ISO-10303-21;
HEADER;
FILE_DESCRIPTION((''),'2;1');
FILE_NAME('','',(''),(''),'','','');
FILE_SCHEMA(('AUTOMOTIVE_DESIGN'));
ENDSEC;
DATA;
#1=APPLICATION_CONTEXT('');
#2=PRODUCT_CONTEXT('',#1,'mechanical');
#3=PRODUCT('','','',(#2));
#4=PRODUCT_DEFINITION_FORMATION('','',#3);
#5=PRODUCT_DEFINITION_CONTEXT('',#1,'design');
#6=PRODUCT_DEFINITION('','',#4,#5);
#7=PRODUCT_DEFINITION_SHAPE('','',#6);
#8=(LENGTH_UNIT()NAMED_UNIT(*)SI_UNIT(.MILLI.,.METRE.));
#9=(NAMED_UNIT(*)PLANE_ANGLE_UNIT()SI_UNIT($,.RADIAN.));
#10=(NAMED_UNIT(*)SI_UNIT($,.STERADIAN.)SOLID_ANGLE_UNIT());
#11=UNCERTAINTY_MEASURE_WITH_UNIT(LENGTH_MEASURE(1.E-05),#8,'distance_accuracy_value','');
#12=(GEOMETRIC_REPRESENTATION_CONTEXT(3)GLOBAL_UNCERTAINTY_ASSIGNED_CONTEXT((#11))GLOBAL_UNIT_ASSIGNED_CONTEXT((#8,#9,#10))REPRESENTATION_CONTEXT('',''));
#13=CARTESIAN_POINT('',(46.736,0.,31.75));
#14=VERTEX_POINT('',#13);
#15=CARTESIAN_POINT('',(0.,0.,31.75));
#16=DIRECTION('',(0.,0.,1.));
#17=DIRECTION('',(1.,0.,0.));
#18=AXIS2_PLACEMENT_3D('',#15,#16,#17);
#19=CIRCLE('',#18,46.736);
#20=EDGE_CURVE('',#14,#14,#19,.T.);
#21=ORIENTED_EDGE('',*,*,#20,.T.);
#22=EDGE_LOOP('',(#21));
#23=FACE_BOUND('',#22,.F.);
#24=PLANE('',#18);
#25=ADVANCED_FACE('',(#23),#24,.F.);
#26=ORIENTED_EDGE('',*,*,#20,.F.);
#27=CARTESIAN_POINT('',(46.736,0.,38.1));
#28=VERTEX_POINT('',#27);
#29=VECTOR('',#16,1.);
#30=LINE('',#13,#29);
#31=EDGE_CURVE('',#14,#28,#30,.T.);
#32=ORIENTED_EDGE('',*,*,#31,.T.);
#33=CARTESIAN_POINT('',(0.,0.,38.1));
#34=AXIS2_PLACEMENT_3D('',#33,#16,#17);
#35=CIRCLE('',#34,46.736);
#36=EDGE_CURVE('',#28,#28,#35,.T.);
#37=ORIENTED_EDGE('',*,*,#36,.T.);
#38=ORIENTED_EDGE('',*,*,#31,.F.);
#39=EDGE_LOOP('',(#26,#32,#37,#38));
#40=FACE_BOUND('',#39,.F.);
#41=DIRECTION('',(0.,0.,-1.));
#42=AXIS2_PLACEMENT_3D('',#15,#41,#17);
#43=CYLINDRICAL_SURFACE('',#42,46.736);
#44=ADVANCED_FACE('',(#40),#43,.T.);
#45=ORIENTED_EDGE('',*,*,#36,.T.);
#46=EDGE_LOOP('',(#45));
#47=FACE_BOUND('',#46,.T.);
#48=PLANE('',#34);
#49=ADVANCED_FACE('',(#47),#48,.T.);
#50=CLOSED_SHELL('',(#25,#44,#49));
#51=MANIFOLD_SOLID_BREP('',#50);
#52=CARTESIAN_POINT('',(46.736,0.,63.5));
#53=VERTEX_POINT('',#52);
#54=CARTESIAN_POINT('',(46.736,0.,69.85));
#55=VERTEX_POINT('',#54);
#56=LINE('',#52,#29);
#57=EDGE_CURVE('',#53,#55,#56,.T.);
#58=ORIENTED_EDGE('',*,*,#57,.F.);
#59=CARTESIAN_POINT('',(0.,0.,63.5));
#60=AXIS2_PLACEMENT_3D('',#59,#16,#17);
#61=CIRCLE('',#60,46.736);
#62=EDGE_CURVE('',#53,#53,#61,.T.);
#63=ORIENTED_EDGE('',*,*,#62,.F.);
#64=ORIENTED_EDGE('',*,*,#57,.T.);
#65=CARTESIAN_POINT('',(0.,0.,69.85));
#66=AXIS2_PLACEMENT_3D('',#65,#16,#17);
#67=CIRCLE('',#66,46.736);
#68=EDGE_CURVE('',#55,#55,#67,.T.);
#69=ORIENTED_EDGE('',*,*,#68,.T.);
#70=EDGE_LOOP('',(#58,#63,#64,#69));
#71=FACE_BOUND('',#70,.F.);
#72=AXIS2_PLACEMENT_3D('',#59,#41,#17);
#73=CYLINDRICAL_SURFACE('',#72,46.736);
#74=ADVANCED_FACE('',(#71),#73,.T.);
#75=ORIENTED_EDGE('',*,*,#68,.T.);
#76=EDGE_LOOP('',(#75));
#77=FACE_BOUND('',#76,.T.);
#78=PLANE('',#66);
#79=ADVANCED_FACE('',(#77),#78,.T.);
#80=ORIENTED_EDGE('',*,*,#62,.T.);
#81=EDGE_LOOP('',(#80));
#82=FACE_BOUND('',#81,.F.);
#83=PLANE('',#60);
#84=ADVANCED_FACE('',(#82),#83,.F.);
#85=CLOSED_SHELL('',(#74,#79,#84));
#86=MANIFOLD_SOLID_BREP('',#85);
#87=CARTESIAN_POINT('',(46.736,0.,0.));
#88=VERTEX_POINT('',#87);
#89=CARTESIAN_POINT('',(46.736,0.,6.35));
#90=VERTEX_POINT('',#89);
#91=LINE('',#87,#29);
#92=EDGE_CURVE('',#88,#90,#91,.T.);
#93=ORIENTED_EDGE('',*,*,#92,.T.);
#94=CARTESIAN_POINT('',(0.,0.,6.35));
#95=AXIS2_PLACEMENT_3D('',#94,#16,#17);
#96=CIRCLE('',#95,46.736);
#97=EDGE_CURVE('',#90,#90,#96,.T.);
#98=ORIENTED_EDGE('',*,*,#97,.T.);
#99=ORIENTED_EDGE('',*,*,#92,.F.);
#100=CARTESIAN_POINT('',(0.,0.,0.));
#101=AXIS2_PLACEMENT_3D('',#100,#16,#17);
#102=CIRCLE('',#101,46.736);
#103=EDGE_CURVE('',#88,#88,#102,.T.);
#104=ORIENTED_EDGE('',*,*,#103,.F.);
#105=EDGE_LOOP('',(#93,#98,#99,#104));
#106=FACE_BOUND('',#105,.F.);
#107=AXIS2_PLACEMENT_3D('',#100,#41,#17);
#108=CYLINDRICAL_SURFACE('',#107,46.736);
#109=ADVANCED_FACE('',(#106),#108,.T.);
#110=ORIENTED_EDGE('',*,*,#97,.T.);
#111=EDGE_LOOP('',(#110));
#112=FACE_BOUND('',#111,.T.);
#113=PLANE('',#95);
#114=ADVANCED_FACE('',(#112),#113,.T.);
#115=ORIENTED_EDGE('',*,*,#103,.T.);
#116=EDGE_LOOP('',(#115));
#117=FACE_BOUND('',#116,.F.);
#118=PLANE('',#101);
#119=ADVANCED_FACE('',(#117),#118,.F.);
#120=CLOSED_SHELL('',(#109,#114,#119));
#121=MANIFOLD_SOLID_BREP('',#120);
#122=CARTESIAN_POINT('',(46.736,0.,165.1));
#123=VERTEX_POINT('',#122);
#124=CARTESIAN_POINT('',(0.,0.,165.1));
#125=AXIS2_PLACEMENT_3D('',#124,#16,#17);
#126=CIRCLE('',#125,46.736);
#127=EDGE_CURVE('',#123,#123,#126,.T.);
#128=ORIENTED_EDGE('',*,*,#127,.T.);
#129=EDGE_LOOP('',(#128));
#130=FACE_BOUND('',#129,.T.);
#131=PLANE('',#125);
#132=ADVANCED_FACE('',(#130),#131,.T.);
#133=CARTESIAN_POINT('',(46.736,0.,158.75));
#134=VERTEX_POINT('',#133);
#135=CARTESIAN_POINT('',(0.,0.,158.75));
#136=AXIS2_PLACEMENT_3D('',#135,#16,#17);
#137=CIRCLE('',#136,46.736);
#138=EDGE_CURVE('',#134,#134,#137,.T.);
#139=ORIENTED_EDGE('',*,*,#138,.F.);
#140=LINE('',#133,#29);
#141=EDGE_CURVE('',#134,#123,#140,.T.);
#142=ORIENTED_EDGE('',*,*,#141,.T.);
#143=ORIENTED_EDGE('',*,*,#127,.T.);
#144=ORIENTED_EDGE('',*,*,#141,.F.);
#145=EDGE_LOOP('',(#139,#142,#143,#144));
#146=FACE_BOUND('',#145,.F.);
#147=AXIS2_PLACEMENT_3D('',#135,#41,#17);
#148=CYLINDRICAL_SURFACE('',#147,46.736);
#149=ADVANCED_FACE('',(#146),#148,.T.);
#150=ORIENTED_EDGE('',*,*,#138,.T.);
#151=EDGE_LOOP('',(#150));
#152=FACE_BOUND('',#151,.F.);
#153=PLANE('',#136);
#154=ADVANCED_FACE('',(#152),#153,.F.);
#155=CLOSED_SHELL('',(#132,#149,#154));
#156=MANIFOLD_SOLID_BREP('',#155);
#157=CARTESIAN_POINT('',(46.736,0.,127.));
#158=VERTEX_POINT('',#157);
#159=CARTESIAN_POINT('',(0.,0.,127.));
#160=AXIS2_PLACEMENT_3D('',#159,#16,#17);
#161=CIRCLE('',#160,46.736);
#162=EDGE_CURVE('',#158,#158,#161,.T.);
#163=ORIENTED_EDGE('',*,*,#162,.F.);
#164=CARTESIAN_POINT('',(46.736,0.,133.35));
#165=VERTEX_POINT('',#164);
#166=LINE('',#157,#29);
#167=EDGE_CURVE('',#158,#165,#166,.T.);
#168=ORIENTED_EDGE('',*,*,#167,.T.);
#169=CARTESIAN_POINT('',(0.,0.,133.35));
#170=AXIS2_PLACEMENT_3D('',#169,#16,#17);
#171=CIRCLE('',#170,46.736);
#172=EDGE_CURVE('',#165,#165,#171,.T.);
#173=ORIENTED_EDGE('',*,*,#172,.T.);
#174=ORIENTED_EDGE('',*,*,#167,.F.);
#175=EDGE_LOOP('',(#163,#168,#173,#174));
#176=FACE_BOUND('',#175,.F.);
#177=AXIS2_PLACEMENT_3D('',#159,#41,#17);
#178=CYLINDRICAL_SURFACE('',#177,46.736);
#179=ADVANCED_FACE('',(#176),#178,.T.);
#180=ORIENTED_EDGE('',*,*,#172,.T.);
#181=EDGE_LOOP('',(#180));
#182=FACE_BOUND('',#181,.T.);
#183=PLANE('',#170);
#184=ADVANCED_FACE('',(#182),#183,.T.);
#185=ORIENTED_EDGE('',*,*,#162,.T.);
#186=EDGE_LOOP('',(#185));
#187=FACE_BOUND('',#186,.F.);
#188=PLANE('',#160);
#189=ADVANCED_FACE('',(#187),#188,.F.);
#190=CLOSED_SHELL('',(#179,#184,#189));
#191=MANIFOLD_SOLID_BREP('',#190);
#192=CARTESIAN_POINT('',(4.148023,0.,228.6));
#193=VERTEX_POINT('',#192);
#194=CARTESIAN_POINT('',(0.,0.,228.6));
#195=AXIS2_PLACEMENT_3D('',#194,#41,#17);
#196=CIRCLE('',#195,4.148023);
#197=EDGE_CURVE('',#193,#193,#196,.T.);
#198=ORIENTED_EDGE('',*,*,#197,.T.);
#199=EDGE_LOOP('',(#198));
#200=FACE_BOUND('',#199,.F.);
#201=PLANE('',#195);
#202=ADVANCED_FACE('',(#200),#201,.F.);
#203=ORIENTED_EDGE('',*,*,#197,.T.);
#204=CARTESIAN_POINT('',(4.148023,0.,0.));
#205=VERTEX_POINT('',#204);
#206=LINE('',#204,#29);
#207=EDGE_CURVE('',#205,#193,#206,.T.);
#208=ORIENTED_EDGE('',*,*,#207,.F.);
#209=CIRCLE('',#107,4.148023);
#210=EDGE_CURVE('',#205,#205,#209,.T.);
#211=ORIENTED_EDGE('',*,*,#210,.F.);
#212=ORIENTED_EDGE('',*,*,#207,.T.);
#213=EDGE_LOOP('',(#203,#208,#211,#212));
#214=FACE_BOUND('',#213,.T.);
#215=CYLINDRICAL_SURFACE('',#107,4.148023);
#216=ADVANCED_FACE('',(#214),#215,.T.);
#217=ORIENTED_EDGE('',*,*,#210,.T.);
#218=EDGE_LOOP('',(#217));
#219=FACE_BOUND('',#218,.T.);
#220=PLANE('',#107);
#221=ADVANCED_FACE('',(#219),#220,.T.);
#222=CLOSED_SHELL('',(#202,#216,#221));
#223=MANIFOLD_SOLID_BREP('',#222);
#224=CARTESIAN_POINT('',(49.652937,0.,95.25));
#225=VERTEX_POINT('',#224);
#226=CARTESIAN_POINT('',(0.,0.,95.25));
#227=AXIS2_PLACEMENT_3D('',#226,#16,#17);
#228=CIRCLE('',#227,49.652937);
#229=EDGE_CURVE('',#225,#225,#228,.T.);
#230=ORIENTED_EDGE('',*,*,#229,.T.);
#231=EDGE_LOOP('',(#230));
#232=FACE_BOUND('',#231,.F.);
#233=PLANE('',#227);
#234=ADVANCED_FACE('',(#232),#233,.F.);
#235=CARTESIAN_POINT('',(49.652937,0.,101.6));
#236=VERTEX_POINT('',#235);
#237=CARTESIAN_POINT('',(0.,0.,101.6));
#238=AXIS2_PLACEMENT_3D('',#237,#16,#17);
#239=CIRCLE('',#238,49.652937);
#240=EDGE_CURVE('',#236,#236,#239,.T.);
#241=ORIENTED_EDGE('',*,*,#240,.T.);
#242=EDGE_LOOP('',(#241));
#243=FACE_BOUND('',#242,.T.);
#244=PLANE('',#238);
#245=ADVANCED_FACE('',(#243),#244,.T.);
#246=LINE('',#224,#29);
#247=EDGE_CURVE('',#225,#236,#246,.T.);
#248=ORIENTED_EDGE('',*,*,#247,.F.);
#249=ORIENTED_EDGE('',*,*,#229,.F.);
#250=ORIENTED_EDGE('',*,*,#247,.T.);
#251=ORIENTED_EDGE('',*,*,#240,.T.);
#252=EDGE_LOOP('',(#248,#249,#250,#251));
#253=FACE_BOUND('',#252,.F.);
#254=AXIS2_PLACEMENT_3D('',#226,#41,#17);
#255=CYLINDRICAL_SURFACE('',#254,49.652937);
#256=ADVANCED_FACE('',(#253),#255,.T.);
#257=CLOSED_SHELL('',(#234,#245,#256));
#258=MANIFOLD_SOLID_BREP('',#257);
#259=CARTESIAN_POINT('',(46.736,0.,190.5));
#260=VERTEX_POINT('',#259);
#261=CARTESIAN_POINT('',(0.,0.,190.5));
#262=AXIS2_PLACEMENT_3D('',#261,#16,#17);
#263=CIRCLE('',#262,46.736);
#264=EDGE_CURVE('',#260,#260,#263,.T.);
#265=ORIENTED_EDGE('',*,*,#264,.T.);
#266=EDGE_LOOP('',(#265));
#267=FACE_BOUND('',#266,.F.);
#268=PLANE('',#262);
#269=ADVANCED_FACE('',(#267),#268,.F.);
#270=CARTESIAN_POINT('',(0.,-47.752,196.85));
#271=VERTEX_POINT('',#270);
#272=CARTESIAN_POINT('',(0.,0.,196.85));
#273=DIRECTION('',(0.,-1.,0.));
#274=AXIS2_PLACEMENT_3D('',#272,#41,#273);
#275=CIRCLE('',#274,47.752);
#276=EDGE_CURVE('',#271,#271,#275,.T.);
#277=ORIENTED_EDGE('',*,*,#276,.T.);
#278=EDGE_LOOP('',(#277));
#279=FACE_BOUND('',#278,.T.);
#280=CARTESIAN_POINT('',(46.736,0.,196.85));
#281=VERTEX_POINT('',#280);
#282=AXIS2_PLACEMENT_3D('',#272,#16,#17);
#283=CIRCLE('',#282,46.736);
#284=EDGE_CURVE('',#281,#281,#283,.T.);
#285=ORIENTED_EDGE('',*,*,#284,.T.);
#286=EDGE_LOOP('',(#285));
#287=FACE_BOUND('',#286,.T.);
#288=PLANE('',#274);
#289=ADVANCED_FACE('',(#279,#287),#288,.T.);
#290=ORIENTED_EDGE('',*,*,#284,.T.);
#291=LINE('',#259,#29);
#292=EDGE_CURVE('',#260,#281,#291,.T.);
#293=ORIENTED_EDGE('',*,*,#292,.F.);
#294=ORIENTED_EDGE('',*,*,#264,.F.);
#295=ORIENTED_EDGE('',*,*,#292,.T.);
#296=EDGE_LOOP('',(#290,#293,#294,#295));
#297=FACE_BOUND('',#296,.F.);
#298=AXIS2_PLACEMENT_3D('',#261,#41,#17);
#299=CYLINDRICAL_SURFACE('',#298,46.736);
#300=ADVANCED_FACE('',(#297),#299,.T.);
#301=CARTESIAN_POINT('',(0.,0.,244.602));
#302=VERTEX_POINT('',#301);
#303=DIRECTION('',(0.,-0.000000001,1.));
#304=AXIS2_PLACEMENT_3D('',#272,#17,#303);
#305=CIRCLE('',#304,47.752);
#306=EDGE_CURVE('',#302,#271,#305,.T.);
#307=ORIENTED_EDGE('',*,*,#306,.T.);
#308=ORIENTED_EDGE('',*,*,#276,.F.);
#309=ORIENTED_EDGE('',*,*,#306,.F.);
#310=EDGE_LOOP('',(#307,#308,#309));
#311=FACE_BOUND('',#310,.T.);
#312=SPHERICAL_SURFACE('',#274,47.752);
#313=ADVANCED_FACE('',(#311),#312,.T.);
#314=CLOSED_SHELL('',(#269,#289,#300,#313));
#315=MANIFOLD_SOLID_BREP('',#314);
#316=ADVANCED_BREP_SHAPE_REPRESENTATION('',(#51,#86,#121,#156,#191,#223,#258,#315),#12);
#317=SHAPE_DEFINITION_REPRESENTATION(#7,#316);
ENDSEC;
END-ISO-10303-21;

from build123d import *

# Parameters (mm, degrees)
F0_R      = 46.736
F1_DEPTH  = 6.35
F3_R      = 46.736
F4_DEPTH  = 6.35
F6_R      = 46.736
F7_DEPTH  = 6.35
F9_R      = 49.652937
F10_DEPTH = 6.35
F12_R     = 46.736
F13_DEPTH = 6.35
F15_R     = 46.736
F16_DEPTH = 6.35
F18_R     = 46.736
F19_DEPTH = 6.35
F22_R     = 4.148023
F23_DEPTH = 228.6


with BuildPart() as f1:
    # F0 (on Top) → F1 (new body)
    with BuildSketch(Plane.XY):
        Circle(F0_R)
    extrude(amount=F1_DEPTH)


with BuildPart() as f4:
    # F3 (on offset) → F4 (new body)
    with BuildSketch(Plane.XY.offset(31.75)):
        Circle(F3_R)
    extrude(amount=F4_DEPTH)


with BuildPart() as f7:
    # F6 (on offset) → F7 (new body)
    with BuildSketch(Plane.XY.offset(63.5)):
        Circle(F6_R)
    extrude(amount=F7_DEPTH)


with BuildPart() as f10:
    # F9 (on offset) → F10 (new body)
    with BuildSketch(Plane.XY.offset(95.25)):
        Circle(F9_R)
    extrude(amount=F10_DEPTH)


with BuildPart() as f13:
    # F12 (on offset) → F13 (new body)
    with BuildSketch(Plane.XY.offset(127)):
        Circle(F12_R)
    extrude(amount=F13_DEPTH)


with BuildPart() as f16:
    # F15 (on offset) → F16 (new body)
    with BuildSketch(Plane.XY.offset(158.75)):
        Circle(F15_R)
    extrude(amount=F16_DEPTH)


with BuildPart() as f19:
    # F18 (on offset) → F19 (new body)
    with BuildSketch(Plane.XY.offset(190.5)):
        Circle(F18_R)
    extrude(amount=F19_DEPTH)

    # F20 (on Right) → F21 (revolve)
    with BuildSketch(Plane.YZ):
        with BuildLine():
            Line((0, 196.85), (0, 244.602))
            ThreePointArc((0, 244.602), (-33.765763, 230.615763), (-47.752, 196.85))
            Line((-47.752, 196.85), (0, 196.85))
        make_face()
    revolve(axis=Axis((0, 0, 220.726), (0, 0, -1)))


with BuildPart() as f23:
    # F22 (on face) → F23 (new body)
    with BuildSketch(Plane(origin=(0, 0, 0), x_dir=(1, 0, 0), z_dir=(0, 0, -1))):
        Circle(F22_R)
    extrude(amount=-F23_DEPTH)


solid = Compound([f1.part, f4.part, f7.part, f10.part, f13.part, f16.part, f19.part, f23.part])
